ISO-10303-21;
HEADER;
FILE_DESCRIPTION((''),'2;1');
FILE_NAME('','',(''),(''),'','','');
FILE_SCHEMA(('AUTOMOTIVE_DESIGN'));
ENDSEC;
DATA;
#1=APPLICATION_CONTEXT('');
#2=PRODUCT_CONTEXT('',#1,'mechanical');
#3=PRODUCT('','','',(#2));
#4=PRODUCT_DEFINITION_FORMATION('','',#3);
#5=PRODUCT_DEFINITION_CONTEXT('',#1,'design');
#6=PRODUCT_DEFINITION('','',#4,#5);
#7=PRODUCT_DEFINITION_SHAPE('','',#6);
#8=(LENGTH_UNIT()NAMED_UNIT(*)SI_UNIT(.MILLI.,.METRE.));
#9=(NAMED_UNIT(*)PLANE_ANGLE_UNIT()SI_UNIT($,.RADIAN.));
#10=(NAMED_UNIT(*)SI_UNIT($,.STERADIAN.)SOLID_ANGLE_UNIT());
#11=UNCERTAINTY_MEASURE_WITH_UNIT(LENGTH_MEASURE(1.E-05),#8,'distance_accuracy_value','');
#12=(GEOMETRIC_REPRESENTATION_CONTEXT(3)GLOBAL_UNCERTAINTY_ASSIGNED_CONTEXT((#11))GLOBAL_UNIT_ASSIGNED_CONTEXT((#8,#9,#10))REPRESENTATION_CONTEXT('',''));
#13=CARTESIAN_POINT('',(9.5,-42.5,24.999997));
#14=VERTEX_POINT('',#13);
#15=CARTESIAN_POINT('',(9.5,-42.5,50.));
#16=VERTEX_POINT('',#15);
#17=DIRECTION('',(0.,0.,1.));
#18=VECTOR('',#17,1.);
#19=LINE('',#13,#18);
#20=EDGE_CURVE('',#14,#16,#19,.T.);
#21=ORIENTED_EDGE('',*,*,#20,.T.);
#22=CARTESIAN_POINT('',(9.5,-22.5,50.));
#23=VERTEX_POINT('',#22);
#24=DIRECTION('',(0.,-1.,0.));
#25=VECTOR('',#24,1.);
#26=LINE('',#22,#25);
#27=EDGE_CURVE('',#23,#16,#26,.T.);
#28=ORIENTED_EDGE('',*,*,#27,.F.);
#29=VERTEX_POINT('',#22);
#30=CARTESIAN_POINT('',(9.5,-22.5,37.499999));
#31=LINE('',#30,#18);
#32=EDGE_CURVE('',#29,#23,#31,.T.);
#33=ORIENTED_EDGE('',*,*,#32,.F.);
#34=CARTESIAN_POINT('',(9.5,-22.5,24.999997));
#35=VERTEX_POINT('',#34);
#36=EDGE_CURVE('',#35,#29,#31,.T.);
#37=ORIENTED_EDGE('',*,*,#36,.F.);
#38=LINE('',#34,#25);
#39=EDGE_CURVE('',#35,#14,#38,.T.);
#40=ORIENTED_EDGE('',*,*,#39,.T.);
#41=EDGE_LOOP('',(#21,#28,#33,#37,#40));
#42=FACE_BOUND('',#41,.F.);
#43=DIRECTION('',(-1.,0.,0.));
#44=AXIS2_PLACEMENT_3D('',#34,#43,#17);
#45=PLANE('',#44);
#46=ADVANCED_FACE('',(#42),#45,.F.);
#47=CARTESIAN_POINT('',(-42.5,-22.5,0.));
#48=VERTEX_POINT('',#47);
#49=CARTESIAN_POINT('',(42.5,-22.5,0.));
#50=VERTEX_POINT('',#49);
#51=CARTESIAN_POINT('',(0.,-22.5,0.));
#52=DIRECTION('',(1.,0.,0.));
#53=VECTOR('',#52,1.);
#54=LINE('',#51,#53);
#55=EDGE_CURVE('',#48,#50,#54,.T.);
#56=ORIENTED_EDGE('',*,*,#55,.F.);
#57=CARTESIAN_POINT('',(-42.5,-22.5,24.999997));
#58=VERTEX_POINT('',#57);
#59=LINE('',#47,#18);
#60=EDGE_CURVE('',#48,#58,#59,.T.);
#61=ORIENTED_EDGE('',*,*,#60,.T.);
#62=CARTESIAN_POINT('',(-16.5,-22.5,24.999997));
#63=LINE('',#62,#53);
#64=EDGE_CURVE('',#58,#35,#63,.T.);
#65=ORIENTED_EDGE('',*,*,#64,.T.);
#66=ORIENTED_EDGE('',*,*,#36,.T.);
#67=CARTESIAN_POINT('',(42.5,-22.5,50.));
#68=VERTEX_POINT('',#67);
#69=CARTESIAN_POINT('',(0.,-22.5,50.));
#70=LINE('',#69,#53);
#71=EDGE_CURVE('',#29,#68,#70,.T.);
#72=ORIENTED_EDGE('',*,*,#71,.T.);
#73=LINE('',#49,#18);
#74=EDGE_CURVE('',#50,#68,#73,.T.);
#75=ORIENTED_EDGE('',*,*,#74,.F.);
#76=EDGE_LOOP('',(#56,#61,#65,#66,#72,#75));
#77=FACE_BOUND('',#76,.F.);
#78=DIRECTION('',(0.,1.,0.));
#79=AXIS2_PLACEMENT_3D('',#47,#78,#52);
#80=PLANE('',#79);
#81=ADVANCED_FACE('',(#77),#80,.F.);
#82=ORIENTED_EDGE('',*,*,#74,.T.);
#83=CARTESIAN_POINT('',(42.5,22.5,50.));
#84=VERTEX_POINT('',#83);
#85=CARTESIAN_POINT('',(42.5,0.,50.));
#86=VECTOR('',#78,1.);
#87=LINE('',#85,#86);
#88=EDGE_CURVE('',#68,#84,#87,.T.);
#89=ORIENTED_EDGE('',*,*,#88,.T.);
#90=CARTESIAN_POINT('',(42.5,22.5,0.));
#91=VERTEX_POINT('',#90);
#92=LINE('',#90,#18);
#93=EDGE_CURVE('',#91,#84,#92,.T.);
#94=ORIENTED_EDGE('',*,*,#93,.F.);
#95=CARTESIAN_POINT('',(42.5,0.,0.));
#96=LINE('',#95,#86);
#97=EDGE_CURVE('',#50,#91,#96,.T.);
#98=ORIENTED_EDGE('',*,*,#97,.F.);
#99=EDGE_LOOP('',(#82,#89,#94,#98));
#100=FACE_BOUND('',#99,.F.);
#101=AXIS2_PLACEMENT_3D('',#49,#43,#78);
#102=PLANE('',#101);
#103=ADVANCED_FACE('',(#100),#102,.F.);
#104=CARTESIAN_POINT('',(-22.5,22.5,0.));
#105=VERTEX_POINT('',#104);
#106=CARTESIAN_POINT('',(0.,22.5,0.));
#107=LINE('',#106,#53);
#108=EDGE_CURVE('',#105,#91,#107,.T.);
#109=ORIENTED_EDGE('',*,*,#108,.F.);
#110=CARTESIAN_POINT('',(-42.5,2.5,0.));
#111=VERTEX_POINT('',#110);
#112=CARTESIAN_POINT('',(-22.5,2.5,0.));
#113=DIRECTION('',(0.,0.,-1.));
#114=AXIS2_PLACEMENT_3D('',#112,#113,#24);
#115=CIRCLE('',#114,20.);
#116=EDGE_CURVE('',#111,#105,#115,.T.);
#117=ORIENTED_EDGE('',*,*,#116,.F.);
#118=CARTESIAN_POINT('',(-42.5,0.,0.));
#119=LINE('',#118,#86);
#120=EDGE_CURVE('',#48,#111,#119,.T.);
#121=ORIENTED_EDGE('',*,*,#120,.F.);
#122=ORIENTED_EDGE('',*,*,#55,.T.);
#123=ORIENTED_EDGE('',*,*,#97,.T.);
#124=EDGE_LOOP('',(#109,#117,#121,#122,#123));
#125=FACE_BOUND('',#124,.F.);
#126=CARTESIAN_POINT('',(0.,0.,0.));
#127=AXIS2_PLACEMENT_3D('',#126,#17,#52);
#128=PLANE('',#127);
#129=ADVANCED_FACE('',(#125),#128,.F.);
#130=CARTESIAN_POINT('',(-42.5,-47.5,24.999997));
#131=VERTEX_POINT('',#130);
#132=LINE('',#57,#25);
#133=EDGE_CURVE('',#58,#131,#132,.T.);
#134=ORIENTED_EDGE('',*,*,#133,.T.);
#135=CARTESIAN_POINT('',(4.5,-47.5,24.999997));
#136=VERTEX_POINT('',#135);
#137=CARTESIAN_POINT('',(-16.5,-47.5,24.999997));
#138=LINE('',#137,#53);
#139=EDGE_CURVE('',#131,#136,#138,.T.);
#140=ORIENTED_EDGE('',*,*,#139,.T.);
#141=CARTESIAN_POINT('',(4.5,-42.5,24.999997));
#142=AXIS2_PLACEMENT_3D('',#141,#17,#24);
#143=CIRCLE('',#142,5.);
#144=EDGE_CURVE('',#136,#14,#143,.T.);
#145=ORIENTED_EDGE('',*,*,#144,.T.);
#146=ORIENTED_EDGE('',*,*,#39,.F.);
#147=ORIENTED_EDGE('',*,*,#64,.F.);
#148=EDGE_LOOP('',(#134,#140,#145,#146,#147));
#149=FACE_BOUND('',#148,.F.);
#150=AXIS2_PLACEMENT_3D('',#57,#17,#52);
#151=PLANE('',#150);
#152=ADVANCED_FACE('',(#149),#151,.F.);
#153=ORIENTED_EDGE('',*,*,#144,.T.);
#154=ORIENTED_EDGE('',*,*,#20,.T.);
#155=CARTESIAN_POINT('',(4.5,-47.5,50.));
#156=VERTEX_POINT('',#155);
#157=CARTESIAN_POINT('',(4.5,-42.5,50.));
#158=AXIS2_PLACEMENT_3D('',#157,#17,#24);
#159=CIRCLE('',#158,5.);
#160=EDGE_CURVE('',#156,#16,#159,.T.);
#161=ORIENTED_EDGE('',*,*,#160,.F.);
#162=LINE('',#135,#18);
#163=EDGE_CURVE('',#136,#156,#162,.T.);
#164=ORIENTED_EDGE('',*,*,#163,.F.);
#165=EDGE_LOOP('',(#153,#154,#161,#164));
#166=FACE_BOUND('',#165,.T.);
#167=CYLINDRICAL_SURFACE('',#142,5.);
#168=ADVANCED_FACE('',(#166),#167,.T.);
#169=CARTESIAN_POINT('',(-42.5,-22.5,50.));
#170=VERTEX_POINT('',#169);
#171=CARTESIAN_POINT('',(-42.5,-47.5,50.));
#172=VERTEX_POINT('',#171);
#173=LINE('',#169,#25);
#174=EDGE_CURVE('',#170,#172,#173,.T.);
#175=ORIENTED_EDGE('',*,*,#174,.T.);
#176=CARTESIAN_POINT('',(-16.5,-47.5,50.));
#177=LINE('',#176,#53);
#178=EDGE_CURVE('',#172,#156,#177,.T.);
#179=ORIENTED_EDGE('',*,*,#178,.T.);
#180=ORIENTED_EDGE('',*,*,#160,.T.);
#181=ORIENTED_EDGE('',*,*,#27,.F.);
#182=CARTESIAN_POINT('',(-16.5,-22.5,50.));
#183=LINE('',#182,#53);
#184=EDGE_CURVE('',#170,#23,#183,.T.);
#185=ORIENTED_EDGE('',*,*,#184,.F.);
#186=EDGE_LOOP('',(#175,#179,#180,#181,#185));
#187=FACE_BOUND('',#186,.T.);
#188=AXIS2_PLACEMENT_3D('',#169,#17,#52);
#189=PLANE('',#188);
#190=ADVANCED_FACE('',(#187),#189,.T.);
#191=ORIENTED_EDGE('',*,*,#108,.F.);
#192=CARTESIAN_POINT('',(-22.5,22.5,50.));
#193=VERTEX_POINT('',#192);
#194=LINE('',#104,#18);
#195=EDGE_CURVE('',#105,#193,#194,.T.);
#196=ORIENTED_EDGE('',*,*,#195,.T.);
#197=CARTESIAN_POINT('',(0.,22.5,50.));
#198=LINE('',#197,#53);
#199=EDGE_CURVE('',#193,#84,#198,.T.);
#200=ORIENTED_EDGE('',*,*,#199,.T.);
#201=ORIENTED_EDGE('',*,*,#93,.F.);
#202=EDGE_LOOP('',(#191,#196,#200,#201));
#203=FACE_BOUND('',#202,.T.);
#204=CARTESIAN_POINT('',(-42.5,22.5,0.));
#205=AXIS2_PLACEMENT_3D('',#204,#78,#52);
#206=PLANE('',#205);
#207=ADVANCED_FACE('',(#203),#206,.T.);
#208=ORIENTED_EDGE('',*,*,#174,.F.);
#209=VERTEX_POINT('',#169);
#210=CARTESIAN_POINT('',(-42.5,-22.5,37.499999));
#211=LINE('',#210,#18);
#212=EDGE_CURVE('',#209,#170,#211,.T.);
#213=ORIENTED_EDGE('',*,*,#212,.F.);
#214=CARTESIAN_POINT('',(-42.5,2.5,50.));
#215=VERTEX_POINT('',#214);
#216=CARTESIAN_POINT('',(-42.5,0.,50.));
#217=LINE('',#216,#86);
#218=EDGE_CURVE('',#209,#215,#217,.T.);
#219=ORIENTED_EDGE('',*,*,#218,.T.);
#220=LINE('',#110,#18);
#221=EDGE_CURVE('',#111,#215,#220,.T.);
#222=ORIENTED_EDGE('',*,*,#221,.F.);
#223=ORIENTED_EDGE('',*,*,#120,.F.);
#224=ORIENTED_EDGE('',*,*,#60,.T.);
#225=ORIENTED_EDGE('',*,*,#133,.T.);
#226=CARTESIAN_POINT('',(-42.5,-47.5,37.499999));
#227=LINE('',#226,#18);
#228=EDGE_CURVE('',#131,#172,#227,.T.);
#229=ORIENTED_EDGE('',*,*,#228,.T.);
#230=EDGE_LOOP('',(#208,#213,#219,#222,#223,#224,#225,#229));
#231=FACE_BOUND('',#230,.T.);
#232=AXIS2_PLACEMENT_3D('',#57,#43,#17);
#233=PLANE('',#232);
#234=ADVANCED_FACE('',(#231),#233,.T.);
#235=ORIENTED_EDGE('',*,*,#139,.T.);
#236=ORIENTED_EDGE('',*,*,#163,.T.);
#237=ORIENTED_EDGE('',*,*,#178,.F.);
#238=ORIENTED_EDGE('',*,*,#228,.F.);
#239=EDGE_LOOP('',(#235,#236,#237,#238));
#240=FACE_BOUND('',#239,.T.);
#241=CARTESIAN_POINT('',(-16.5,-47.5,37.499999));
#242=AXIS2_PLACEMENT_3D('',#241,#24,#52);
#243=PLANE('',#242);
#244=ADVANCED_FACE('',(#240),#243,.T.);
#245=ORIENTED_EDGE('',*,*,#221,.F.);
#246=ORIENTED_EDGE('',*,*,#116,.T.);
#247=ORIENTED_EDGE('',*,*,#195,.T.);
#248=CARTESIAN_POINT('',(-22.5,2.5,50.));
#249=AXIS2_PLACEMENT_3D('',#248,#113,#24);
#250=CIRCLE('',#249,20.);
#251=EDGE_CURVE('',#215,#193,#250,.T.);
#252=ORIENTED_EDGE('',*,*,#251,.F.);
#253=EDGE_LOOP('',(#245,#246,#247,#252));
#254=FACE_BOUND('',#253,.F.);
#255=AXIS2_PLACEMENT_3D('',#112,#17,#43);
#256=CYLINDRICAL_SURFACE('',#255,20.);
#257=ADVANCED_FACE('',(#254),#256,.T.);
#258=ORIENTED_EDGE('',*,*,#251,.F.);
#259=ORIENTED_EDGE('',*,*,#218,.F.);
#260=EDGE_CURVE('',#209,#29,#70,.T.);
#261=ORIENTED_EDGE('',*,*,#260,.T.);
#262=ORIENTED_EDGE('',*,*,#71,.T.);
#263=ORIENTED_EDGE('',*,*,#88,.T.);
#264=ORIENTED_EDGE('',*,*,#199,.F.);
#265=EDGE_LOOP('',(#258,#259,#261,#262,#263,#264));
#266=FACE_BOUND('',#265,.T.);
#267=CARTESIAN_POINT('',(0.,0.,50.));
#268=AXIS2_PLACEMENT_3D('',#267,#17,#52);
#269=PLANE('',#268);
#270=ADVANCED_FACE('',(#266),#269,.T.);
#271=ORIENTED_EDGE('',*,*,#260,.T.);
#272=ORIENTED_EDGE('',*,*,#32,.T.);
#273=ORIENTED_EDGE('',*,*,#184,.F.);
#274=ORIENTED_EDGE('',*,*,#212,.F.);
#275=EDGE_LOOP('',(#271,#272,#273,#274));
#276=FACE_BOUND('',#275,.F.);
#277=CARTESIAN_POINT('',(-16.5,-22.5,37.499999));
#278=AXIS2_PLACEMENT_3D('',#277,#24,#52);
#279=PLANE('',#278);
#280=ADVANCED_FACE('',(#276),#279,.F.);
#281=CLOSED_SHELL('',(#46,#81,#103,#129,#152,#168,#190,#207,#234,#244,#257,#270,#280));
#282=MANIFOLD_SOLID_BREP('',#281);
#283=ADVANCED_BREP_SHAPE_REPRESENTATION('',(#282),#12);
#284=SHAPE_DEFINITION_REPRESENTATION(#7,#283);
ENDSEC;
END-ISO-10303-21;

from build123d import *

# Parameters (mm, degrees)
F0_W     = 85
F0_H     = 45
F1_DEPTH = 50
F2_R     = 20
F3_W     = 52
F3_H     = 25.000003
F4_DEPTH = 25
F5_R     = 5


with BuildPart() as f1:
    # F0 (on Top) → F1 (new body)
    with BuildSketch(Plane.XY):
        Rectangle(F0_W, F0_H)
    extrude(amount=F1_DEPTH)

    # F2
    f2_edges = [f1.edges().sort_by_distance(p)[0] for p in [
        (-42.5, 22.5, 25),
    ]]
    fillet(f2_edges, radius=F2_R)

    # F3 (on face) → F4 (join)
    with BuildSketch(Plane.XZ.offset(22.5)):
        with Locations((-16.5, 37.499999)):
            Rectangle(F3_W, F3_H)
    extrude(amount=F4_DEPTH)

    # F5
    f5_edges = [f1.edges().sort_by_distance(p)[0] for p in [
        (9.5, -47.5, 37.499998),
    ]]
    fillet(f5_edges, radius=F5_R)


solid = f1.part
